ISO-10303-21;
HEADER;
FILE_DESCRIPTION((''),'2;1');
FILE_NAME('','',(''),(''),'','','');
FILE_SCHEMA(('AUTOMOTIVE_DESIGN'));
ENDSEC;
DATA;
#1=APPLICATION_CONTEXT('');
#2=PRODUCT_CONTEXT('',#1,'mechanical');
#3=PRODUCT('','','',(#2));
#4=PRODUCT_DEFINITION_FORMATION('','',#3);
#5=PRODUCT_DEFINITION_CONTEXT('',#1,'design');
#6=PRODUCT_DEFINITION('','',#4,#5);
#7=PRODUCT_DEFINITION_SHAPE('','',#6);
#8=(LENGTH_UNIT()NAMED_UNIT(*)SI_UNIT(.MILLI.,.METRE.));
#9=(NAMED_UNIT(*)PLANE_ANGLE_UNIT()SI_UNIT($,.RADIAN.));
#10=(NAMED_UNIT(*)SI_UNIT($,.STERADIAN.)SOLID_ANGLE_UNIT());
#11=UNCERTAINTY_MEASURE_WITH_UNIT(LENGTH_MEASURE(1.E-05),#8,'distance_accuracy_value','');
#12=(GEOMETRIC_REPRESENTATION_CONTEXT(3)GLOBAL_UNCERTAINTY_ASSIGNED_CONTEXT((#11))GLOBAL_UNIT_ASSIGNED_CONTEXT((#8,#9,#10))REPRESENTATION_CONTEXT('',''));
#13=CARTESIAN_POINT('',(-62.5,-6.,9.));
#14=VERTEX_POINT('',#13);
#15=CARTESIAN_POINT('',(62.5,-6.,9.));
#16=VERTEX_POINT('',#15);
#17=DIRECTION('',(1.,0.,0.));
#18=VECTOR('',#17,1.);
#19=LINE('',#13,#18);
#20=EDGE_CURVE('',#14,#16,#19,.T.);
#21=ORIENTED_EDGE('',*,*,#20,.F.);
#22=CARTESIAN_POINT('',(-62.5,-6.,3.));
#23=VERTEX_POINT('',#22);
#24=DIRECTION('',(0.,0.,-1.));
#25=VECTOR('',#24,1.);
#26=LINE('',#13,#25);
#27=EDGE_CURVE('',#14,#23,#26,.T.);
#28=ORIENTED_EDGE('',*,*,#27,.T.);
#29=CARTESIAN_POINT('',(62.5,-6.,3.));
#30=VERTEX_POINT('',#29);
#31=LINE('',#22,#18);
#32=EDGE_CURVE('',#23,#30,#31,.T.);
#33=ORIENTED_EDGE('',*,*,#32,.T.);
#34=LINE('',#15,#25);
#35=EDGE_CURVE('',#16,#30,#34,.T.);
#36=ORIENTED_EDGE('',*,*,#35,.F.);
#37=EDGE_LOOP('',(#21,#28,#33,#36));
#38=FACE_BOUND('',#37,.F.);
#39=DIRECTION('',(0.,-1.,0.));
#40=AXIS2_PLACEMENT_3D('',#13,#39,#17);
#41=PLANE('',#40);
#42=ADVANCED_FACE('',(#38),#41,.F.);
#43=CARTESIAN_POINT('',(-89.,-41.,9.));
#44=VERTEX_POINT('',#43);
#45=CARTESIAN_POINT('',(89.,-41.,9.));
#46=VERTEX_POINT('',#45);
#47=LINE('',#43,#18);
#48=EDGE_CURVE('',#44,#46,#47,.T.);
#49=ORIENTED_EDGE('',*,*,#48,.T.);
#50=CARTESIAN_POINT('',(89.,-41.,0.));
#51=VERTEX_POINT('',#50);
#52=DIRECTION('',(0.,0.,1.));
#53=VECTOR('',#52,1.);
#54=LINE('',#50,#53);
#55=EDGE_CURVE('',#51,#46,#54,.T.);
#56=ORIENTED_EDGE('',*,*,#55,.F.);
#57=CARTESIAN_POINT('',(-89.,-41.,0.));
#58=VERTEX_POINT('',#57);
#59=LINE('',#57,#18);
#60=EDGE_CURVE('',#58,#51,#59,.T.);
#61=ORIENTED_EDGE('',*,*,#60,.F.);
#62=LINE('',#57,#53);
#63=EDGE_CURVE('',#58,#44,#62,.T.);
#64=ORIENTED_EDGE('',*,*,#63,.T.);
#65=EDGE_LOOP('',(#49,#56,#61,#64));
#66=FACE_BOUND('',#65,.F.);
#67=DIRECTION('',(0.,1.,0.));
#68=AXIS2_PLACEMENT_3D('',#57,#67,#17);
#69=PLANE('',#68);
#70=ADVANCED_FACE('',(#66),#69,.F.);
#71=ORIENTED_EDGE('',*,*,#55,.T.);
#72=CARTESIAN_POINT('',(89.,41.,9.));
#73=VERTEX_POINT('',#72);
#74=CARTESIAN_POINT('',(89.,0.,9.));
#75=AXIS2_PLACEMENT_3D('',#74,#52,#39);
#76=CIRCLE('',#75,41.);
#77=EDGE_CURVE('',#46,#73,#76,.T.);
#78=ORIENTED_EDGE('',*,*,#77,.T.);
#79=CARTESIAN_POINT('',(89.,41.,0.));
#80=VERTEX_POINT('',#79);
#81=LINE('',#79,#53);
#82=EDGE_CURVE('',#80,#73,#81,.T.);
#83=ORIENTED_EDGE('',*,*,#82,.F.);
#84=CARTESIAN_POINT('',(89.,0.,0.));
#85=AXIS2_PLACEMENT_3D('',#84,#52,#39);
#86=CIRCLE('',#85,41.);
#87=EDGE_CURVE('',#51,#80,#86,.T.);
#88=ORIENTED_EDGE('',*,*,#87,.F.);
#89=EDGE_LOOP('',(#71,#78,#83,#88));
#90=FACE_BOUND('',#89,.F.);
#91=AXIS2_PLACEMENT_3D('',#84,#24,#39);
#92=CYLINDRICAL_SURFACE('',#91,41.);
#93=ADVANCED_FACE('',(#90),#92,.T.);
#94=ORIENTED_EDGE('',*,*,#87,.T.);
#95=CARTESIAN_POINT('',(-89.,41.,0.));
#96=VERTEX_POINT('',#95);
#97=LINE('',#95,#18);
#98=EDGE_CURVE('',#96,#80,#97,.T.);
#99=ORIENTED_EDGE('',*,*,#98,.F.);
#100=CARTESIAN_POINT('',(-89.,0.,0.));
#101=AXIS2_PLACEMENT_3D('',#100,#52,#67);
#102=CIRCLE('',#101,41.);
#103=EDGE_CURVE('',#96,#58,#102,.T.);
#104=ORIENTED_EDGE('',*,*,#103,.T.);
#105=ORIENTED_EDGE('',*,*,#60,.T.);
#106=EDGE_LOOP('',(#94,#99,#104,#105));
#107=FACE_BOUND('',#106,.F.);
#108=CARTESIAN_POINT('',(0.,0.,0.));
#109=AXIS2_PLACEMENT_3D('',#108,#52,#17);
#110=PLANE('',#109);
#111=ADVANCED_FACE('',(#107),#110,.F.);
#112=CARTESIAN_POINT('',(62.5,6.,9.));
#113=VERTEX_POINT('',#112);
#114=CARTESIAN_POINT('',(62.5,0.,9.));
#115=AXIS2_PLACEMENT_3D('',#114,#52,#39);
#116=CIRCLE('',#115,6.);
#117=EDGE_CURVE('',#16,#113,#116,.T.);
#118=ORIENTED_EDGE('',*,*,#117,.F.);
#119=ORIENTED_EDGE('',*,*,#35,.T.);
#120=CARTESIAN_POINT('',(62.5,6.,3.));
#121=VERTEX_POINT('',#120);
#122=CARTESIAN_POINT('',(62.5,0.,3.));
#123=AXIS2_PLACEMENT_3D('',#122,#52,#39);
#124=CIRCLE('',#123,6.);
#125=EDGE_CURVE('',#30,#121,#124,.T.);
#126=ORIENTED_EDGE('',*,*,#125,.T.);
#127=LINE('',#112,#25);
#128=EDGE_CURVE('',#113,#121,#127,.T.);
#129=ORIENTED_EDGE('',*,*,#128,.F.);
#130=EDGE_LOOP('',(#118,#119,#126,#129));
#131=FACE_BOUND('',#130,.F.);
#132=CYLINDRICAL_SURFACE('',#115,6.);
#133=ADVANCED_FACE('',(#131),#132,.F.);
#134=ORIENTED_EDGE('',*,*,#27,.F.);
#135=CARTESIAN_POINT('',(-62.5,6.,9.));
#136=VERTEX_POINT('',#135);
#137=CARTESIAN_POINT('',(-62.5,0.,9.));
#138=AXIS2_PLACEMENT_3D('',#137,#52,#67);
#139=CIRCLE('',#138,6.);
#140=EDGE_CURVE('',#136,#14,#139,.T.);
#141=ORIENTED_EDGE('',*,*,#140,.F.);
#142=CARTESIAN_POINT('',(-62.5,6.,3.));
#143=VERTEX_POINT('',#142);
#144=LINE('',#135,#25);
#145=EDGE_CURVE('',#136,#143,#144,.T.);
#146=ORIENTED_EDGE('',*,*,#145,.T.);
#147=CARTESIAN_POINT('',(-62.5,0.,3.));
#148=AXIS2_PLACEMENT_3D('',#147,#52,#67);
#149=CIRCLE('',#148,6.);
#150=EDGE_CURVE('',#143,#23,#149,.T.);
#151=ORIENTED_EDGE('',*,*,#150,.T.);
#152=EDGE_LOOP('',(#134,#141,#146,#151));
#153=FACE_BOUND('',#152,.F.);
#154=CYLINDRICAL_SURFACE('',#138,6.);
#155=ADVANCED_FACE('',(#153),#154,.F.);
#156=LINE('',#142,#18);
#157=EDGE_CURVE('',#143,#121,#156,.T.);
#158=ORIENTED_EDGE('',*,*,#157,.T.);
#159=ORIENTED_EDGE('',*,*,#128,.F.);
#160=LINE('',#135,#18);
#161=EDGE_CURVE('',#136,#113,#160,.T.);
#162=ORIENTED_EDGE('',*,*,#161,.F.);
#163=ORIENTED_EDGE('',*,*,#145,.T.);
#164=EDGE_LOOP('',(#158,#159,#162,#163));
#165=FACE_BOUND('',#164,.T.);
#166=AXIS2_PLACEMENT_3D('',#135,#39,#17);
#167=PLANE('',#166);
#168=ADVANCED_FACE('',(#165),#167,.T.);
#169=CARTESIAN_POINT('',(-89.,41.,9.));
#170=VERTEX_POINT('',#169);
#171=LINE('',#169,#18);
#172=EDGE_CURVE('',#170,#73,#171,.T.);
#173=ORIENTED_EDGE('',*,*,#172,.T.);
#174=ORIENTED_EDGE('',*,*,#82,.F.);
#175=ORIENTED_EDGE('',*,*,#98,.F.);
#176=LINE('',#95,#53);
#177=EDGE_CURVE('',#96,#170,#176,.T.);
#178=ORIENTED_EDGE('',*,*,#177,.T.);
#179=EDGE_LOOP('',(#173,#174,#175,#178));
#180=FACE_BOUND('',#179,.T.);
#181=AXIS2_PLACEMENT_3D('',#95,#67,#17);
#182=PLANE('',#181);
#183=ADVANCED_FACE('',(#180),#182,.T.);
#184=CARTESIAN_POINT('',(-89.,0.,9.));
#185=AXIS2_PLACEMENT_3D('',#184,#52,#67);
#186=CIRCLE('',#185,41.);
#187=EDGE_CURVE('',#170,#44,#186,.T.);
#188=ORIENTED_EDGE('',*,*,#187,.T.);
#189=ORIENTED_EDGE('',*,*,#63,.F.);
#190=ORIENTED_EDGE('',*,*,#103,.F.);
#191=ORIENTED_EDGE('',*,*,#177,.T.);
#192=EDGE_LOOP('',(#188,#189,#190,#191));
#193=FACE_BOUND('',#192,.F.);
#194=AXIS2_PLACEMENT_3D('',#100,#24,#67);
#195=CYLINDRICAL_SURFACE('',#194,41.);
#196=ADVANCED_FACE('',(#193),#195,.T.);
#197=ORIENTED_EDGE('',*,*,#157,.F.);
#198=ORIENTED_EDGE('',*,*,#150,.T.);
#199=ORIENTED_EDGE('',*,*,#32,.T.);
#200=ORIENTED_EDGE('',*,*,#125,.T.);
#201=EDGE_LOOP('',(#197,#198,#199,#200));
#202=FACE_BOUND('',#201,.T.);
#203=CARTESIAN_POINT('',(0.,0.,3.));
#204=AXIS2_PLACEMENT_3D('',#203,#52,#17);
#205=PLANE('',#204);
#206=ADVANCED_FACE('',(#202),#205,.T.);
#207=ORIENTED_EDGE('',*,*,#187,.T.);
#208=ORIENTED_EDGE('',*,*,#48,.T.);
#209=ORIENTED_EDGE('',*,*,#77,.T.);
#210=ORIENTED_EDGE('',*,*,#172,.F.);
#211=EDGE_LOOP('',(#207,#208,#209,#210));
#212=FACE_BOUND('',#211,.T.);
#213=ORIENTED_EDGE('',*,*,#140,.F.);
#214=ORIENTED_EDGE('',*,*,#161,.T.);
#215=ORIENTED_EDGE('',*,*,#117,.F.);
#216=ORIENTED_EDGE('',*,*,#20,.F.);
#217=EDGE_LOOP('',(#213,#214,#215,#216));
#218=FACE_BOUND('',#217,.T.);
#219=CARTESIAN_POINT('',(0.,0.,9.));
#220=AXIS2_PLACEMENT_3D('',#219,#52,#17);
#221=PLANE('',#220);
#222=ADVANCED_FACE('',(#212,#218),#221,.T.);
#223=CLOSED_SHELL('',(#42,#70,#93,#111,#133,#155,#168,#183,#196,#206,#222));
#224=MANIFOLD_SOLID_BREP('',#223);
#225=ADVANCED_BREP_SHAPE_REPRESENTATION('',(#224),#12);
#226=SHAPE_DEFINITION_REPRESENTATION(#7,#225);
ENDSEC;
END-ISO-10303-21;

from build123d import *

# Parameters (mm, degrees)
PAD_DEPTH    = 9
POCKET_DEPTH = 6


with BuildPart() as part:
    # Sketch → Pad (new body)
    with BuildSketch(Plane.XY):
        with BuildLine():
            ThreePointArc((-89, 41), (-130, 0), (-89, -41))
            Line((-89, -41), (89, -41))
            ThreePointArc((89, -41), (130, 0), (89, 41))
            Line((-89, 41), (89, 41))
        make_face()
    extrude(amount=PAD_DEPTH)

    # Sketch001 (on Face6 of Pad) → Pocket (cut)
    with BuildSketch(Plane.XY.offset(9)):
        with BuildLine():
            ThreePointArc((-62.5, 6), (-68.5, 0), (-62.5, -6))
            Line((-62.5, -6), (62.5, -6))
            ThreePointArc((62.5, -6), (68.5, 0), (62.5, 6))
            Line((-62.5, 6), (62.5, 6))
        make_face()
    extrude(amount=-POCKET_DEPTH, mode=Mode.SUBTRACT)


solid = part.part
